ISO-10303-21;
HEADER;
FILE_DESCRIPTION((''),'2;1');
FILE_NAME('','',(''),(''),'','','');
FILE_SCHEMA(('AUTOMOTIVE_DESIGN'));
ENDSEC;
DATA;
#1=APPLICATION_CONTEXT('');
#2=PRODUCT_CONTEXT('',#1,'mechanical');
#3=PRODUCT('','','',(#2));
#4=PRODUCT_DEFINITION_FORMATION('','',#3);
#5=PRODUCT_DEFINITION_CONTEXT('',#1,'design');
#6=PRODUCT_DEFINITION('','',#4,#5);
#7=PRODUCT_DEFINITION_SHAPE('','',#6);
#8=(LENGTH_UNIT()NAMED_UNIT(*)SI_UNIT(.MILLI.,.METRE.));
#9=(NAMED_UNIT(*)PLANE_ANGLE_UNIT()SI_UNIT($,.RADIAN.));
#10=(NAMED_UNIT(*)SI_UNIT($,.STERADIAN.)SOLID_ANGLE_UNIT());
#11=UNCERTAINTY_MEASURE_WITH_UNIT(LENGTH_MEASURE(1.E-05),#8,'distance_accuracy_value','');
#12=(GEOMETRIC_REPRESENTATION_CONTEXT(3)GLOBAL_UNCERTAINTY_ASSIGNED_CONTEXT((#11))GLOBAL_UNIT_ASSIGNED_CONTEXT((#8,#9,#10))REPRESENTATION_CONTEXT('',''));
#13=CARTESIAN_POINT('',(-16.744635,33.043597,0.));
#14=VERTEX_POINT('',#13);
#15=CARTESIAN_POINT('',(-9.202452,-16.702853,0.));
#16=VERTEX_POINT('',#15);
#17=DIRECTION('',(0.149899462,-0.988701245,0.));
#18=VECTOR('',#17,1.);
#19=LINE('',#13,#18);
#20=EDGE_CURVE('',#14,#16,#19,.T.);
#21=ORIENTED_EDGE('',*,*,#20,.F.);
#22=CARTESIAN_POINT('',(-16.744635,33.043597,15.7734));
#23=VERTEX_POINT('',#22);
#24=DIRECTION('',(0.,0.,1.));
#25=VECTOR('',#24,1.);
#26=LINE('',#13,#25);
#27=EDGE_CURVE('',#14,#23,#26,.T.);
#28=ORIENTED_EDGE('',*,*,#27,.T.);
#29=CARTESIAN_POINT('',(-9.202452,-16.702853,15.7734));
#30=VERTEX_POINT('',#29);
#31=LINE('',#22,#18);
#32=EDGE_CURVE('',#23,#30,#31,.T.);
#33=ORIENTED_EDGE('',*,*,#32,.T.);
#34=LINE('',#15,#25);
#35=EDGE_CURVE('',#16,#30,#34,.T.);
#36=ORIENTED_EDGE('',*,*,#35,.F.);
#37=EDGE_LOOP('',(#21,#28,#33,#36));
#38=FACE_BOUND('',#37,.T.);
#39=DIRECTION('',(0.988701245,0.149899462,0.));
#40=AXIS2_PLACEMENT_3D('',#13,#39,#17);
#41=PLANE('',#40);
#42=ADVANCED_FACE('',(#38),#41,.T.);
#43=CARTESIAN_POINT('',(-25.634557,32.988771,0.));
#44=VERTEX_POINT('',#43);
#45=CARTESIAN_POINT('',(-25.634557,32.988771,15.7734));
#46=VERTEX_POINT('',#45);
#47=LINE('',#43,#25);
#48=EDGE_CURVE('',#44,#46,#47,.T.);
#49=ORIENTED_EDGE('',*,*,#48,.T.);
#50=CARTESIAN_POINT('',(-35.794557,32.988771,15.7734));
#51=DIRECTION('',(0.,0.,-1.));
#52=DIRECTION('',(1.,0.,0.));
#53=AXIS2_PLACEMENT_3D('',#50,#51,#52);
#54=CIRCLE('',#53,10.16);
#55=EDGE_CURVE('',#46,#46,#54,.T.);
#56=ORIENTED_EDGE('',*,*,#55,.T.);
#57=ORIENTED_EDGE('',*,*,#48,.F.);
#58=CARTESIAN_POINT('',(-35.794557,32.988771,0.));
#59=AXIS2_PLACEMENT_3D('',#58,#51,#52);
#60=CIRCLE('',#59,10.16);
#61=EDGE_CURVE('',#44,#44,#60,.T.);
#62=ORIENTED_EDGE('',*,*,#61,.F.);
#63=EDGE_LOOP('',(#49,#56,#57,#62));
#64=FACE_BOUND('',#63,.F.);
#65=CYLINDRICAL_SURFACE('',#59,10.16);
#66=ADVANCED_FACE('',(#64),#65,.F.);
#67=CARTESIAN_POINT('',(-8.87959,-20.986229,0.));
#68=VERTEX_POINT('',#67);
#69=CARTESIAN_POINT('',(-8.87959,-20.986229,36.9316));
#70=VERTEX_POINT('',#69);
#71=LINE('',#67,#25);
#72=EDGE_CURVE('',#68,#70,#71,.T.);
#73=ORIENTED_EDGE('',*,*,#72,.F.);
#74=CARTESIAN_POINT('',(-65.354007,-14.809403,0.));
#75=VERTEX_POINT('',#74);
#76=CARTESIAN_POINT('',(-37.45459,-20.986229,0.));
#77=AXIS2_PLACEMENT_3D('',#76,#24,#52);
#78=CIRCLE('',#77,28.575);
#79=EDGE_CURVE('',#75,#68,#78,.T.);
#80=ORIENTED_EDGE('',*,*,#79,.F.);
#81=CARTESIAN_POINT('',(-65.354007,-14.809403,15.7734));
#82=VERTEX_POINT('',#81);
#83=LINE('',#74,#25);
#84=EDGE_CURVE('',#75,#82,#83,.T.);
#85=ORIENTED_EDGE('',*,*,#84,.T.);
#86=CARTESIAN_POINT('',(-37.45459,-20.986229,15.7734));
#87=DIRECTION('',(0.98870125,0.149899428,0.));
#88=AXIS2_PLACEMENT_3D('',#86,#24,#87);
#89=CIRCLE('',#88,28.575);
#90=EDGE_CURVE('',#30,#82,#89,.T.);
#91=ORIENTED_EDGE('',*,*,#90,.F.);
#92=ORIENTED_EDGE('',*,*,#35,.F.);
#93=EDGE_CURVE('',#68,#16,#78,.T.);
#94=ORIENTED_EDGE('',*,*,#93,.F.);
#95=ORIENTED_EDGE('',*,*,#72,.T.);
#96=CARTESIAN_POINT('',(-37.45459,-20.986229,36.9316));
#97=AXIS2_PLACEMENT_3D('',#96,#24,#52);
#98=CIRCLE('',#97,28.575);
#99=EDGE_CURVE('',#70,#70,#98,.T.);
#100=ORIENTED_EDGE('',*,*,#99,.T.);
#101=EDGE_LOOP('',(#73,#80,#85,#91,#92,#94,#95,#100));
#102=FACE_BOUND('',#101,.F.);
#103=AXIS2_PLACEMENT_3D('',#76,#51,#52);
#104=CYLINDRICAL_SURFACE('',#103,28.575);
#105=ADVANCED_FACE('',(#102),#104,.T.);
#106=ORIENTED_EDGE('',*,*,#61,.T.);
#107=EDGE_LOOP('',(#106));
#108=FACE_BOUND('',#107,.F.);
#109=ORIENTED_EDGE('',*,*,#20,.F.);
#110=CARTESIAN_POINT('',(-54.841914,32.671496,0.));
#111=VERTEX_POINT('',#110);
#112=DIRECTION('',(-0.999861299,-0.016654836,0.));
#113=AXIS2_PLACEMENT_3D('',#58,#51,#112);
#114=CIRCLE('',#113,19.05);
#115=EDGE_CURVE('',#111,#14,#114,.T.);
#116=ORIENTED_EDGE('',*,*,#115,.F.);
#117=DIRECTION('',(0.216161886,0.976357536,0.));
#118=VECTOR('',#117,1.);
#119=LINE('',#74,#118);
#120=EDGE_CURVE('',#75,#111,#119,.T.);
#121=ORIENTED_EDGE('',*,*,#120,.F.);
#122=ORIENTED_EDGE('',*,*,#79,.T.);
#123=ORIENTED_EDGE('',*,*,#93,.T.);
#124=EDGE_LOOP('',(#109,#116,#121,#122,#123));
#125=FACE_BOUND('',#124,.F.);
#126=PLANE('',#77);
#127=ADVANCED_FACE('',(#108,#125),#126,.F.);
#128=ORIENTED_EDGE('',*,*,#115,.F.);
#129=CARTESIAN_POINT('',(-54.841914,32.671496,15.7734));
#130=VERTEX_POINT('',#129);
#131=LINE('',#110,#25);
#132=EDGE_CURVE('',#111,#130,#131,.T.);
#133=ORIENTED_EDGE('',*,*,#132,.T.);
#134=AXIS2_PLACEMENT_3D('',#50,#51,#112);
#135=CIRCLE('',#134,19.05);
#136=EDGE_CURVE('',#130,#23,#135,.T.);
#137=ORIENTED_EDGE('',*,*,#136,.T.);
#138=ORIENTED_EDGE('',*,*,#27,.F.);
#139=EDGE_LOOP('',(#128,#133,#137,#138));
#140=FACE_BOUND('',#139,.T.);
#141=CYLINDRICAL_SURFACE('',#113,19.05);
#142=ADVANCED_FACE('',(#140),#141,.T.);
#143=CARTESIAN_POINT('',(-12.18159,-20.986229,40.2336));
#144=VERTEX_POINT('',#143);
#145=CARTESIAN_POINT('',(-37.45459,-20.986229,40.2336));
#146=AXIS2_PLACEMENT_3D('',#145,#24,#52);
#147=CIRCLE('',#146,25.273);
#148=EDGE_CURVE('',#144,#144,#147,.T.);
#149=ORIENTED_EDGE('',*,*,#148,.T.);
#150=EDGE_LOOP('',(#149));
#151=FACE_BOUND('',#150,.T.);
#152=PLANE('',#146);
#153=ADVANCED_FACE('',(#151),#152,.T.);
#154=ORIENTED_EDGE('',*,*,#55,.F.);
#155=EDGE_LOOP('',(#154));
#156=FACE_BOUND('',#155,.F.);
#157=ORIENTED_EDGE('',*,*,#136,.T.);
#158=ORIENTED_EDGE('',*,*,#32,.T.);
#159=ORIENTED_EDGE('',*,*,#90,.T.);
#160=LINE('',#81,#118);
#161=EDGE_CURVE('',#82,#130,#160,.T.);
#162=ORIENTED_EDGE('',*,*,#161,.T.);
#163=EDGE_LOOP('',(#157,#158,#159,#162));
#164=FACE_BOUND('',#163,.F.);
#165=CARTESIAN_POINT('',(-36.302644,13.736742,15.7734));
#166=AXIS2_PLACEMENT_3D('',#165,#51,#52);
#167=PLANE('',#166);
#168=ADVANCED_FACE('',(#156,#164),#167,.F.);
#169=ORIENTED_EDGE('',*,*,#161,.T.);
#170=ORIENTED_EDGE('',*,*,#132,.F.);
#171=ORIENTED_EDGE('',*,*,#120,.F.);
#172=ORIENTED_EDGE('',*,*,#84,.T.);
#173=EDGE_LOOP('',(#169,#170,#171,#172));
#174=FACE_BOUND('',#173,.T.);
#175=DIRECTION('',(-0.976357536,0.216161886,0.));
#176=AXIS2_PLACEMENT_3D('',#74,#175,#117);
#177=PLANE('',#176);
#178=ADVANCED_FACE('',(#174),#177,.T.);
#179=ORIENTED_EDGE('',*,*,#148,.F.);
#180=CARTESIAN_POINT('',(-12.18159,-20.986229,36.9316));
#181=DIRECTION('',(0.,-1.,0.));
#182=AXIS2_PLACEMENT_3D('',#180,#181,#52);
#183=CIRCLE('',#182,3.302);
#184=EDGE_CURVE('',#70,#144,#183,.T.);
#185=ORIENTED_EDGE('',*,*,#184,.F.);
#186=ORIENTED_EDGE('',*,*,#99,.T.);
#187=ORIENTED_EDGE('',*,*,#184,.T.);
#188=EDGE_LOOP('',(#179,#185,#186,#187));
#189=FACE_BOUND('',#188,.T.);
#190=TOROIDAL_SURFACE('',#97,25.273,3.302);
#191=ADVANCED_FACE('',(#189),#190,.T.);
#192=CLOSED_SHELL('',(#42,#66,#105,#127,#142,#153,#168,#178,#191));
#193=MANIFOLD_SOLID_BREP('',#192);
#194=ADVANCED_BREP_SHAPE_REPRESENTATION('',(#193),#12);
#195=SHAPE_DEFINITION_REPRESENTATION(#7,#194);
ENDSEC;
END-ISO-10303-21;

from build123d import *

# Parameters (mm, degrees)
F0_R     = 28.575
F1_DEPTH = 40.2336
F2_R     = 3.302
F4_R     = 10.16
F5_DEPTH = 15.7734


with BuildPart() as f1:
    # F0 (on Top) → F1 (new body)
    with BuildSketch(Plane.XY):
        with Locations((-37.4545902014, -20.9862291813)):
            Circle(F0_R)
    extrude(amount=F1_DEPTH)

    # F2
    f2_edges = [f1.edges().sort_by_distance(p)[0] for p in [
        (-66.02959, -20.986229, 40.2336),
    ]]
    fillet(f2_edges, radius=F2_R)

    # F4 (on face) → F5 (join)
    with BuildSketch(Plane(origin=(0, 0, 0), x_dir=(1, 0, 0), z_dir=(0, 0, -1))):
        with BuildLine():
            Line((-65.3540068038, 14.8094032778), (-54.8419142609, -32.6714961972))
            ThreePointArc((-54.8419142609, -32.6714961972), (-35.9806114834, -52.0378622288), (-16.7446354188, -33.0435972896))
            Line((-16.7446354188, -33.0435972896), (-9.202451986, 16.7028530294))
            ThreePointArc((-9.202451986, 16.7028530294), (-36.4915787142, -7.5725388922), (-65.3540068038, 14.8094032778))
        make_face()
        with Locations((-35.7945565225, -32.9887708187)):
            Circle(F4_R, mode=Mode.SUBTRACT)
    extrude(amount=-F5_DEPTH)


solid = f1.part
